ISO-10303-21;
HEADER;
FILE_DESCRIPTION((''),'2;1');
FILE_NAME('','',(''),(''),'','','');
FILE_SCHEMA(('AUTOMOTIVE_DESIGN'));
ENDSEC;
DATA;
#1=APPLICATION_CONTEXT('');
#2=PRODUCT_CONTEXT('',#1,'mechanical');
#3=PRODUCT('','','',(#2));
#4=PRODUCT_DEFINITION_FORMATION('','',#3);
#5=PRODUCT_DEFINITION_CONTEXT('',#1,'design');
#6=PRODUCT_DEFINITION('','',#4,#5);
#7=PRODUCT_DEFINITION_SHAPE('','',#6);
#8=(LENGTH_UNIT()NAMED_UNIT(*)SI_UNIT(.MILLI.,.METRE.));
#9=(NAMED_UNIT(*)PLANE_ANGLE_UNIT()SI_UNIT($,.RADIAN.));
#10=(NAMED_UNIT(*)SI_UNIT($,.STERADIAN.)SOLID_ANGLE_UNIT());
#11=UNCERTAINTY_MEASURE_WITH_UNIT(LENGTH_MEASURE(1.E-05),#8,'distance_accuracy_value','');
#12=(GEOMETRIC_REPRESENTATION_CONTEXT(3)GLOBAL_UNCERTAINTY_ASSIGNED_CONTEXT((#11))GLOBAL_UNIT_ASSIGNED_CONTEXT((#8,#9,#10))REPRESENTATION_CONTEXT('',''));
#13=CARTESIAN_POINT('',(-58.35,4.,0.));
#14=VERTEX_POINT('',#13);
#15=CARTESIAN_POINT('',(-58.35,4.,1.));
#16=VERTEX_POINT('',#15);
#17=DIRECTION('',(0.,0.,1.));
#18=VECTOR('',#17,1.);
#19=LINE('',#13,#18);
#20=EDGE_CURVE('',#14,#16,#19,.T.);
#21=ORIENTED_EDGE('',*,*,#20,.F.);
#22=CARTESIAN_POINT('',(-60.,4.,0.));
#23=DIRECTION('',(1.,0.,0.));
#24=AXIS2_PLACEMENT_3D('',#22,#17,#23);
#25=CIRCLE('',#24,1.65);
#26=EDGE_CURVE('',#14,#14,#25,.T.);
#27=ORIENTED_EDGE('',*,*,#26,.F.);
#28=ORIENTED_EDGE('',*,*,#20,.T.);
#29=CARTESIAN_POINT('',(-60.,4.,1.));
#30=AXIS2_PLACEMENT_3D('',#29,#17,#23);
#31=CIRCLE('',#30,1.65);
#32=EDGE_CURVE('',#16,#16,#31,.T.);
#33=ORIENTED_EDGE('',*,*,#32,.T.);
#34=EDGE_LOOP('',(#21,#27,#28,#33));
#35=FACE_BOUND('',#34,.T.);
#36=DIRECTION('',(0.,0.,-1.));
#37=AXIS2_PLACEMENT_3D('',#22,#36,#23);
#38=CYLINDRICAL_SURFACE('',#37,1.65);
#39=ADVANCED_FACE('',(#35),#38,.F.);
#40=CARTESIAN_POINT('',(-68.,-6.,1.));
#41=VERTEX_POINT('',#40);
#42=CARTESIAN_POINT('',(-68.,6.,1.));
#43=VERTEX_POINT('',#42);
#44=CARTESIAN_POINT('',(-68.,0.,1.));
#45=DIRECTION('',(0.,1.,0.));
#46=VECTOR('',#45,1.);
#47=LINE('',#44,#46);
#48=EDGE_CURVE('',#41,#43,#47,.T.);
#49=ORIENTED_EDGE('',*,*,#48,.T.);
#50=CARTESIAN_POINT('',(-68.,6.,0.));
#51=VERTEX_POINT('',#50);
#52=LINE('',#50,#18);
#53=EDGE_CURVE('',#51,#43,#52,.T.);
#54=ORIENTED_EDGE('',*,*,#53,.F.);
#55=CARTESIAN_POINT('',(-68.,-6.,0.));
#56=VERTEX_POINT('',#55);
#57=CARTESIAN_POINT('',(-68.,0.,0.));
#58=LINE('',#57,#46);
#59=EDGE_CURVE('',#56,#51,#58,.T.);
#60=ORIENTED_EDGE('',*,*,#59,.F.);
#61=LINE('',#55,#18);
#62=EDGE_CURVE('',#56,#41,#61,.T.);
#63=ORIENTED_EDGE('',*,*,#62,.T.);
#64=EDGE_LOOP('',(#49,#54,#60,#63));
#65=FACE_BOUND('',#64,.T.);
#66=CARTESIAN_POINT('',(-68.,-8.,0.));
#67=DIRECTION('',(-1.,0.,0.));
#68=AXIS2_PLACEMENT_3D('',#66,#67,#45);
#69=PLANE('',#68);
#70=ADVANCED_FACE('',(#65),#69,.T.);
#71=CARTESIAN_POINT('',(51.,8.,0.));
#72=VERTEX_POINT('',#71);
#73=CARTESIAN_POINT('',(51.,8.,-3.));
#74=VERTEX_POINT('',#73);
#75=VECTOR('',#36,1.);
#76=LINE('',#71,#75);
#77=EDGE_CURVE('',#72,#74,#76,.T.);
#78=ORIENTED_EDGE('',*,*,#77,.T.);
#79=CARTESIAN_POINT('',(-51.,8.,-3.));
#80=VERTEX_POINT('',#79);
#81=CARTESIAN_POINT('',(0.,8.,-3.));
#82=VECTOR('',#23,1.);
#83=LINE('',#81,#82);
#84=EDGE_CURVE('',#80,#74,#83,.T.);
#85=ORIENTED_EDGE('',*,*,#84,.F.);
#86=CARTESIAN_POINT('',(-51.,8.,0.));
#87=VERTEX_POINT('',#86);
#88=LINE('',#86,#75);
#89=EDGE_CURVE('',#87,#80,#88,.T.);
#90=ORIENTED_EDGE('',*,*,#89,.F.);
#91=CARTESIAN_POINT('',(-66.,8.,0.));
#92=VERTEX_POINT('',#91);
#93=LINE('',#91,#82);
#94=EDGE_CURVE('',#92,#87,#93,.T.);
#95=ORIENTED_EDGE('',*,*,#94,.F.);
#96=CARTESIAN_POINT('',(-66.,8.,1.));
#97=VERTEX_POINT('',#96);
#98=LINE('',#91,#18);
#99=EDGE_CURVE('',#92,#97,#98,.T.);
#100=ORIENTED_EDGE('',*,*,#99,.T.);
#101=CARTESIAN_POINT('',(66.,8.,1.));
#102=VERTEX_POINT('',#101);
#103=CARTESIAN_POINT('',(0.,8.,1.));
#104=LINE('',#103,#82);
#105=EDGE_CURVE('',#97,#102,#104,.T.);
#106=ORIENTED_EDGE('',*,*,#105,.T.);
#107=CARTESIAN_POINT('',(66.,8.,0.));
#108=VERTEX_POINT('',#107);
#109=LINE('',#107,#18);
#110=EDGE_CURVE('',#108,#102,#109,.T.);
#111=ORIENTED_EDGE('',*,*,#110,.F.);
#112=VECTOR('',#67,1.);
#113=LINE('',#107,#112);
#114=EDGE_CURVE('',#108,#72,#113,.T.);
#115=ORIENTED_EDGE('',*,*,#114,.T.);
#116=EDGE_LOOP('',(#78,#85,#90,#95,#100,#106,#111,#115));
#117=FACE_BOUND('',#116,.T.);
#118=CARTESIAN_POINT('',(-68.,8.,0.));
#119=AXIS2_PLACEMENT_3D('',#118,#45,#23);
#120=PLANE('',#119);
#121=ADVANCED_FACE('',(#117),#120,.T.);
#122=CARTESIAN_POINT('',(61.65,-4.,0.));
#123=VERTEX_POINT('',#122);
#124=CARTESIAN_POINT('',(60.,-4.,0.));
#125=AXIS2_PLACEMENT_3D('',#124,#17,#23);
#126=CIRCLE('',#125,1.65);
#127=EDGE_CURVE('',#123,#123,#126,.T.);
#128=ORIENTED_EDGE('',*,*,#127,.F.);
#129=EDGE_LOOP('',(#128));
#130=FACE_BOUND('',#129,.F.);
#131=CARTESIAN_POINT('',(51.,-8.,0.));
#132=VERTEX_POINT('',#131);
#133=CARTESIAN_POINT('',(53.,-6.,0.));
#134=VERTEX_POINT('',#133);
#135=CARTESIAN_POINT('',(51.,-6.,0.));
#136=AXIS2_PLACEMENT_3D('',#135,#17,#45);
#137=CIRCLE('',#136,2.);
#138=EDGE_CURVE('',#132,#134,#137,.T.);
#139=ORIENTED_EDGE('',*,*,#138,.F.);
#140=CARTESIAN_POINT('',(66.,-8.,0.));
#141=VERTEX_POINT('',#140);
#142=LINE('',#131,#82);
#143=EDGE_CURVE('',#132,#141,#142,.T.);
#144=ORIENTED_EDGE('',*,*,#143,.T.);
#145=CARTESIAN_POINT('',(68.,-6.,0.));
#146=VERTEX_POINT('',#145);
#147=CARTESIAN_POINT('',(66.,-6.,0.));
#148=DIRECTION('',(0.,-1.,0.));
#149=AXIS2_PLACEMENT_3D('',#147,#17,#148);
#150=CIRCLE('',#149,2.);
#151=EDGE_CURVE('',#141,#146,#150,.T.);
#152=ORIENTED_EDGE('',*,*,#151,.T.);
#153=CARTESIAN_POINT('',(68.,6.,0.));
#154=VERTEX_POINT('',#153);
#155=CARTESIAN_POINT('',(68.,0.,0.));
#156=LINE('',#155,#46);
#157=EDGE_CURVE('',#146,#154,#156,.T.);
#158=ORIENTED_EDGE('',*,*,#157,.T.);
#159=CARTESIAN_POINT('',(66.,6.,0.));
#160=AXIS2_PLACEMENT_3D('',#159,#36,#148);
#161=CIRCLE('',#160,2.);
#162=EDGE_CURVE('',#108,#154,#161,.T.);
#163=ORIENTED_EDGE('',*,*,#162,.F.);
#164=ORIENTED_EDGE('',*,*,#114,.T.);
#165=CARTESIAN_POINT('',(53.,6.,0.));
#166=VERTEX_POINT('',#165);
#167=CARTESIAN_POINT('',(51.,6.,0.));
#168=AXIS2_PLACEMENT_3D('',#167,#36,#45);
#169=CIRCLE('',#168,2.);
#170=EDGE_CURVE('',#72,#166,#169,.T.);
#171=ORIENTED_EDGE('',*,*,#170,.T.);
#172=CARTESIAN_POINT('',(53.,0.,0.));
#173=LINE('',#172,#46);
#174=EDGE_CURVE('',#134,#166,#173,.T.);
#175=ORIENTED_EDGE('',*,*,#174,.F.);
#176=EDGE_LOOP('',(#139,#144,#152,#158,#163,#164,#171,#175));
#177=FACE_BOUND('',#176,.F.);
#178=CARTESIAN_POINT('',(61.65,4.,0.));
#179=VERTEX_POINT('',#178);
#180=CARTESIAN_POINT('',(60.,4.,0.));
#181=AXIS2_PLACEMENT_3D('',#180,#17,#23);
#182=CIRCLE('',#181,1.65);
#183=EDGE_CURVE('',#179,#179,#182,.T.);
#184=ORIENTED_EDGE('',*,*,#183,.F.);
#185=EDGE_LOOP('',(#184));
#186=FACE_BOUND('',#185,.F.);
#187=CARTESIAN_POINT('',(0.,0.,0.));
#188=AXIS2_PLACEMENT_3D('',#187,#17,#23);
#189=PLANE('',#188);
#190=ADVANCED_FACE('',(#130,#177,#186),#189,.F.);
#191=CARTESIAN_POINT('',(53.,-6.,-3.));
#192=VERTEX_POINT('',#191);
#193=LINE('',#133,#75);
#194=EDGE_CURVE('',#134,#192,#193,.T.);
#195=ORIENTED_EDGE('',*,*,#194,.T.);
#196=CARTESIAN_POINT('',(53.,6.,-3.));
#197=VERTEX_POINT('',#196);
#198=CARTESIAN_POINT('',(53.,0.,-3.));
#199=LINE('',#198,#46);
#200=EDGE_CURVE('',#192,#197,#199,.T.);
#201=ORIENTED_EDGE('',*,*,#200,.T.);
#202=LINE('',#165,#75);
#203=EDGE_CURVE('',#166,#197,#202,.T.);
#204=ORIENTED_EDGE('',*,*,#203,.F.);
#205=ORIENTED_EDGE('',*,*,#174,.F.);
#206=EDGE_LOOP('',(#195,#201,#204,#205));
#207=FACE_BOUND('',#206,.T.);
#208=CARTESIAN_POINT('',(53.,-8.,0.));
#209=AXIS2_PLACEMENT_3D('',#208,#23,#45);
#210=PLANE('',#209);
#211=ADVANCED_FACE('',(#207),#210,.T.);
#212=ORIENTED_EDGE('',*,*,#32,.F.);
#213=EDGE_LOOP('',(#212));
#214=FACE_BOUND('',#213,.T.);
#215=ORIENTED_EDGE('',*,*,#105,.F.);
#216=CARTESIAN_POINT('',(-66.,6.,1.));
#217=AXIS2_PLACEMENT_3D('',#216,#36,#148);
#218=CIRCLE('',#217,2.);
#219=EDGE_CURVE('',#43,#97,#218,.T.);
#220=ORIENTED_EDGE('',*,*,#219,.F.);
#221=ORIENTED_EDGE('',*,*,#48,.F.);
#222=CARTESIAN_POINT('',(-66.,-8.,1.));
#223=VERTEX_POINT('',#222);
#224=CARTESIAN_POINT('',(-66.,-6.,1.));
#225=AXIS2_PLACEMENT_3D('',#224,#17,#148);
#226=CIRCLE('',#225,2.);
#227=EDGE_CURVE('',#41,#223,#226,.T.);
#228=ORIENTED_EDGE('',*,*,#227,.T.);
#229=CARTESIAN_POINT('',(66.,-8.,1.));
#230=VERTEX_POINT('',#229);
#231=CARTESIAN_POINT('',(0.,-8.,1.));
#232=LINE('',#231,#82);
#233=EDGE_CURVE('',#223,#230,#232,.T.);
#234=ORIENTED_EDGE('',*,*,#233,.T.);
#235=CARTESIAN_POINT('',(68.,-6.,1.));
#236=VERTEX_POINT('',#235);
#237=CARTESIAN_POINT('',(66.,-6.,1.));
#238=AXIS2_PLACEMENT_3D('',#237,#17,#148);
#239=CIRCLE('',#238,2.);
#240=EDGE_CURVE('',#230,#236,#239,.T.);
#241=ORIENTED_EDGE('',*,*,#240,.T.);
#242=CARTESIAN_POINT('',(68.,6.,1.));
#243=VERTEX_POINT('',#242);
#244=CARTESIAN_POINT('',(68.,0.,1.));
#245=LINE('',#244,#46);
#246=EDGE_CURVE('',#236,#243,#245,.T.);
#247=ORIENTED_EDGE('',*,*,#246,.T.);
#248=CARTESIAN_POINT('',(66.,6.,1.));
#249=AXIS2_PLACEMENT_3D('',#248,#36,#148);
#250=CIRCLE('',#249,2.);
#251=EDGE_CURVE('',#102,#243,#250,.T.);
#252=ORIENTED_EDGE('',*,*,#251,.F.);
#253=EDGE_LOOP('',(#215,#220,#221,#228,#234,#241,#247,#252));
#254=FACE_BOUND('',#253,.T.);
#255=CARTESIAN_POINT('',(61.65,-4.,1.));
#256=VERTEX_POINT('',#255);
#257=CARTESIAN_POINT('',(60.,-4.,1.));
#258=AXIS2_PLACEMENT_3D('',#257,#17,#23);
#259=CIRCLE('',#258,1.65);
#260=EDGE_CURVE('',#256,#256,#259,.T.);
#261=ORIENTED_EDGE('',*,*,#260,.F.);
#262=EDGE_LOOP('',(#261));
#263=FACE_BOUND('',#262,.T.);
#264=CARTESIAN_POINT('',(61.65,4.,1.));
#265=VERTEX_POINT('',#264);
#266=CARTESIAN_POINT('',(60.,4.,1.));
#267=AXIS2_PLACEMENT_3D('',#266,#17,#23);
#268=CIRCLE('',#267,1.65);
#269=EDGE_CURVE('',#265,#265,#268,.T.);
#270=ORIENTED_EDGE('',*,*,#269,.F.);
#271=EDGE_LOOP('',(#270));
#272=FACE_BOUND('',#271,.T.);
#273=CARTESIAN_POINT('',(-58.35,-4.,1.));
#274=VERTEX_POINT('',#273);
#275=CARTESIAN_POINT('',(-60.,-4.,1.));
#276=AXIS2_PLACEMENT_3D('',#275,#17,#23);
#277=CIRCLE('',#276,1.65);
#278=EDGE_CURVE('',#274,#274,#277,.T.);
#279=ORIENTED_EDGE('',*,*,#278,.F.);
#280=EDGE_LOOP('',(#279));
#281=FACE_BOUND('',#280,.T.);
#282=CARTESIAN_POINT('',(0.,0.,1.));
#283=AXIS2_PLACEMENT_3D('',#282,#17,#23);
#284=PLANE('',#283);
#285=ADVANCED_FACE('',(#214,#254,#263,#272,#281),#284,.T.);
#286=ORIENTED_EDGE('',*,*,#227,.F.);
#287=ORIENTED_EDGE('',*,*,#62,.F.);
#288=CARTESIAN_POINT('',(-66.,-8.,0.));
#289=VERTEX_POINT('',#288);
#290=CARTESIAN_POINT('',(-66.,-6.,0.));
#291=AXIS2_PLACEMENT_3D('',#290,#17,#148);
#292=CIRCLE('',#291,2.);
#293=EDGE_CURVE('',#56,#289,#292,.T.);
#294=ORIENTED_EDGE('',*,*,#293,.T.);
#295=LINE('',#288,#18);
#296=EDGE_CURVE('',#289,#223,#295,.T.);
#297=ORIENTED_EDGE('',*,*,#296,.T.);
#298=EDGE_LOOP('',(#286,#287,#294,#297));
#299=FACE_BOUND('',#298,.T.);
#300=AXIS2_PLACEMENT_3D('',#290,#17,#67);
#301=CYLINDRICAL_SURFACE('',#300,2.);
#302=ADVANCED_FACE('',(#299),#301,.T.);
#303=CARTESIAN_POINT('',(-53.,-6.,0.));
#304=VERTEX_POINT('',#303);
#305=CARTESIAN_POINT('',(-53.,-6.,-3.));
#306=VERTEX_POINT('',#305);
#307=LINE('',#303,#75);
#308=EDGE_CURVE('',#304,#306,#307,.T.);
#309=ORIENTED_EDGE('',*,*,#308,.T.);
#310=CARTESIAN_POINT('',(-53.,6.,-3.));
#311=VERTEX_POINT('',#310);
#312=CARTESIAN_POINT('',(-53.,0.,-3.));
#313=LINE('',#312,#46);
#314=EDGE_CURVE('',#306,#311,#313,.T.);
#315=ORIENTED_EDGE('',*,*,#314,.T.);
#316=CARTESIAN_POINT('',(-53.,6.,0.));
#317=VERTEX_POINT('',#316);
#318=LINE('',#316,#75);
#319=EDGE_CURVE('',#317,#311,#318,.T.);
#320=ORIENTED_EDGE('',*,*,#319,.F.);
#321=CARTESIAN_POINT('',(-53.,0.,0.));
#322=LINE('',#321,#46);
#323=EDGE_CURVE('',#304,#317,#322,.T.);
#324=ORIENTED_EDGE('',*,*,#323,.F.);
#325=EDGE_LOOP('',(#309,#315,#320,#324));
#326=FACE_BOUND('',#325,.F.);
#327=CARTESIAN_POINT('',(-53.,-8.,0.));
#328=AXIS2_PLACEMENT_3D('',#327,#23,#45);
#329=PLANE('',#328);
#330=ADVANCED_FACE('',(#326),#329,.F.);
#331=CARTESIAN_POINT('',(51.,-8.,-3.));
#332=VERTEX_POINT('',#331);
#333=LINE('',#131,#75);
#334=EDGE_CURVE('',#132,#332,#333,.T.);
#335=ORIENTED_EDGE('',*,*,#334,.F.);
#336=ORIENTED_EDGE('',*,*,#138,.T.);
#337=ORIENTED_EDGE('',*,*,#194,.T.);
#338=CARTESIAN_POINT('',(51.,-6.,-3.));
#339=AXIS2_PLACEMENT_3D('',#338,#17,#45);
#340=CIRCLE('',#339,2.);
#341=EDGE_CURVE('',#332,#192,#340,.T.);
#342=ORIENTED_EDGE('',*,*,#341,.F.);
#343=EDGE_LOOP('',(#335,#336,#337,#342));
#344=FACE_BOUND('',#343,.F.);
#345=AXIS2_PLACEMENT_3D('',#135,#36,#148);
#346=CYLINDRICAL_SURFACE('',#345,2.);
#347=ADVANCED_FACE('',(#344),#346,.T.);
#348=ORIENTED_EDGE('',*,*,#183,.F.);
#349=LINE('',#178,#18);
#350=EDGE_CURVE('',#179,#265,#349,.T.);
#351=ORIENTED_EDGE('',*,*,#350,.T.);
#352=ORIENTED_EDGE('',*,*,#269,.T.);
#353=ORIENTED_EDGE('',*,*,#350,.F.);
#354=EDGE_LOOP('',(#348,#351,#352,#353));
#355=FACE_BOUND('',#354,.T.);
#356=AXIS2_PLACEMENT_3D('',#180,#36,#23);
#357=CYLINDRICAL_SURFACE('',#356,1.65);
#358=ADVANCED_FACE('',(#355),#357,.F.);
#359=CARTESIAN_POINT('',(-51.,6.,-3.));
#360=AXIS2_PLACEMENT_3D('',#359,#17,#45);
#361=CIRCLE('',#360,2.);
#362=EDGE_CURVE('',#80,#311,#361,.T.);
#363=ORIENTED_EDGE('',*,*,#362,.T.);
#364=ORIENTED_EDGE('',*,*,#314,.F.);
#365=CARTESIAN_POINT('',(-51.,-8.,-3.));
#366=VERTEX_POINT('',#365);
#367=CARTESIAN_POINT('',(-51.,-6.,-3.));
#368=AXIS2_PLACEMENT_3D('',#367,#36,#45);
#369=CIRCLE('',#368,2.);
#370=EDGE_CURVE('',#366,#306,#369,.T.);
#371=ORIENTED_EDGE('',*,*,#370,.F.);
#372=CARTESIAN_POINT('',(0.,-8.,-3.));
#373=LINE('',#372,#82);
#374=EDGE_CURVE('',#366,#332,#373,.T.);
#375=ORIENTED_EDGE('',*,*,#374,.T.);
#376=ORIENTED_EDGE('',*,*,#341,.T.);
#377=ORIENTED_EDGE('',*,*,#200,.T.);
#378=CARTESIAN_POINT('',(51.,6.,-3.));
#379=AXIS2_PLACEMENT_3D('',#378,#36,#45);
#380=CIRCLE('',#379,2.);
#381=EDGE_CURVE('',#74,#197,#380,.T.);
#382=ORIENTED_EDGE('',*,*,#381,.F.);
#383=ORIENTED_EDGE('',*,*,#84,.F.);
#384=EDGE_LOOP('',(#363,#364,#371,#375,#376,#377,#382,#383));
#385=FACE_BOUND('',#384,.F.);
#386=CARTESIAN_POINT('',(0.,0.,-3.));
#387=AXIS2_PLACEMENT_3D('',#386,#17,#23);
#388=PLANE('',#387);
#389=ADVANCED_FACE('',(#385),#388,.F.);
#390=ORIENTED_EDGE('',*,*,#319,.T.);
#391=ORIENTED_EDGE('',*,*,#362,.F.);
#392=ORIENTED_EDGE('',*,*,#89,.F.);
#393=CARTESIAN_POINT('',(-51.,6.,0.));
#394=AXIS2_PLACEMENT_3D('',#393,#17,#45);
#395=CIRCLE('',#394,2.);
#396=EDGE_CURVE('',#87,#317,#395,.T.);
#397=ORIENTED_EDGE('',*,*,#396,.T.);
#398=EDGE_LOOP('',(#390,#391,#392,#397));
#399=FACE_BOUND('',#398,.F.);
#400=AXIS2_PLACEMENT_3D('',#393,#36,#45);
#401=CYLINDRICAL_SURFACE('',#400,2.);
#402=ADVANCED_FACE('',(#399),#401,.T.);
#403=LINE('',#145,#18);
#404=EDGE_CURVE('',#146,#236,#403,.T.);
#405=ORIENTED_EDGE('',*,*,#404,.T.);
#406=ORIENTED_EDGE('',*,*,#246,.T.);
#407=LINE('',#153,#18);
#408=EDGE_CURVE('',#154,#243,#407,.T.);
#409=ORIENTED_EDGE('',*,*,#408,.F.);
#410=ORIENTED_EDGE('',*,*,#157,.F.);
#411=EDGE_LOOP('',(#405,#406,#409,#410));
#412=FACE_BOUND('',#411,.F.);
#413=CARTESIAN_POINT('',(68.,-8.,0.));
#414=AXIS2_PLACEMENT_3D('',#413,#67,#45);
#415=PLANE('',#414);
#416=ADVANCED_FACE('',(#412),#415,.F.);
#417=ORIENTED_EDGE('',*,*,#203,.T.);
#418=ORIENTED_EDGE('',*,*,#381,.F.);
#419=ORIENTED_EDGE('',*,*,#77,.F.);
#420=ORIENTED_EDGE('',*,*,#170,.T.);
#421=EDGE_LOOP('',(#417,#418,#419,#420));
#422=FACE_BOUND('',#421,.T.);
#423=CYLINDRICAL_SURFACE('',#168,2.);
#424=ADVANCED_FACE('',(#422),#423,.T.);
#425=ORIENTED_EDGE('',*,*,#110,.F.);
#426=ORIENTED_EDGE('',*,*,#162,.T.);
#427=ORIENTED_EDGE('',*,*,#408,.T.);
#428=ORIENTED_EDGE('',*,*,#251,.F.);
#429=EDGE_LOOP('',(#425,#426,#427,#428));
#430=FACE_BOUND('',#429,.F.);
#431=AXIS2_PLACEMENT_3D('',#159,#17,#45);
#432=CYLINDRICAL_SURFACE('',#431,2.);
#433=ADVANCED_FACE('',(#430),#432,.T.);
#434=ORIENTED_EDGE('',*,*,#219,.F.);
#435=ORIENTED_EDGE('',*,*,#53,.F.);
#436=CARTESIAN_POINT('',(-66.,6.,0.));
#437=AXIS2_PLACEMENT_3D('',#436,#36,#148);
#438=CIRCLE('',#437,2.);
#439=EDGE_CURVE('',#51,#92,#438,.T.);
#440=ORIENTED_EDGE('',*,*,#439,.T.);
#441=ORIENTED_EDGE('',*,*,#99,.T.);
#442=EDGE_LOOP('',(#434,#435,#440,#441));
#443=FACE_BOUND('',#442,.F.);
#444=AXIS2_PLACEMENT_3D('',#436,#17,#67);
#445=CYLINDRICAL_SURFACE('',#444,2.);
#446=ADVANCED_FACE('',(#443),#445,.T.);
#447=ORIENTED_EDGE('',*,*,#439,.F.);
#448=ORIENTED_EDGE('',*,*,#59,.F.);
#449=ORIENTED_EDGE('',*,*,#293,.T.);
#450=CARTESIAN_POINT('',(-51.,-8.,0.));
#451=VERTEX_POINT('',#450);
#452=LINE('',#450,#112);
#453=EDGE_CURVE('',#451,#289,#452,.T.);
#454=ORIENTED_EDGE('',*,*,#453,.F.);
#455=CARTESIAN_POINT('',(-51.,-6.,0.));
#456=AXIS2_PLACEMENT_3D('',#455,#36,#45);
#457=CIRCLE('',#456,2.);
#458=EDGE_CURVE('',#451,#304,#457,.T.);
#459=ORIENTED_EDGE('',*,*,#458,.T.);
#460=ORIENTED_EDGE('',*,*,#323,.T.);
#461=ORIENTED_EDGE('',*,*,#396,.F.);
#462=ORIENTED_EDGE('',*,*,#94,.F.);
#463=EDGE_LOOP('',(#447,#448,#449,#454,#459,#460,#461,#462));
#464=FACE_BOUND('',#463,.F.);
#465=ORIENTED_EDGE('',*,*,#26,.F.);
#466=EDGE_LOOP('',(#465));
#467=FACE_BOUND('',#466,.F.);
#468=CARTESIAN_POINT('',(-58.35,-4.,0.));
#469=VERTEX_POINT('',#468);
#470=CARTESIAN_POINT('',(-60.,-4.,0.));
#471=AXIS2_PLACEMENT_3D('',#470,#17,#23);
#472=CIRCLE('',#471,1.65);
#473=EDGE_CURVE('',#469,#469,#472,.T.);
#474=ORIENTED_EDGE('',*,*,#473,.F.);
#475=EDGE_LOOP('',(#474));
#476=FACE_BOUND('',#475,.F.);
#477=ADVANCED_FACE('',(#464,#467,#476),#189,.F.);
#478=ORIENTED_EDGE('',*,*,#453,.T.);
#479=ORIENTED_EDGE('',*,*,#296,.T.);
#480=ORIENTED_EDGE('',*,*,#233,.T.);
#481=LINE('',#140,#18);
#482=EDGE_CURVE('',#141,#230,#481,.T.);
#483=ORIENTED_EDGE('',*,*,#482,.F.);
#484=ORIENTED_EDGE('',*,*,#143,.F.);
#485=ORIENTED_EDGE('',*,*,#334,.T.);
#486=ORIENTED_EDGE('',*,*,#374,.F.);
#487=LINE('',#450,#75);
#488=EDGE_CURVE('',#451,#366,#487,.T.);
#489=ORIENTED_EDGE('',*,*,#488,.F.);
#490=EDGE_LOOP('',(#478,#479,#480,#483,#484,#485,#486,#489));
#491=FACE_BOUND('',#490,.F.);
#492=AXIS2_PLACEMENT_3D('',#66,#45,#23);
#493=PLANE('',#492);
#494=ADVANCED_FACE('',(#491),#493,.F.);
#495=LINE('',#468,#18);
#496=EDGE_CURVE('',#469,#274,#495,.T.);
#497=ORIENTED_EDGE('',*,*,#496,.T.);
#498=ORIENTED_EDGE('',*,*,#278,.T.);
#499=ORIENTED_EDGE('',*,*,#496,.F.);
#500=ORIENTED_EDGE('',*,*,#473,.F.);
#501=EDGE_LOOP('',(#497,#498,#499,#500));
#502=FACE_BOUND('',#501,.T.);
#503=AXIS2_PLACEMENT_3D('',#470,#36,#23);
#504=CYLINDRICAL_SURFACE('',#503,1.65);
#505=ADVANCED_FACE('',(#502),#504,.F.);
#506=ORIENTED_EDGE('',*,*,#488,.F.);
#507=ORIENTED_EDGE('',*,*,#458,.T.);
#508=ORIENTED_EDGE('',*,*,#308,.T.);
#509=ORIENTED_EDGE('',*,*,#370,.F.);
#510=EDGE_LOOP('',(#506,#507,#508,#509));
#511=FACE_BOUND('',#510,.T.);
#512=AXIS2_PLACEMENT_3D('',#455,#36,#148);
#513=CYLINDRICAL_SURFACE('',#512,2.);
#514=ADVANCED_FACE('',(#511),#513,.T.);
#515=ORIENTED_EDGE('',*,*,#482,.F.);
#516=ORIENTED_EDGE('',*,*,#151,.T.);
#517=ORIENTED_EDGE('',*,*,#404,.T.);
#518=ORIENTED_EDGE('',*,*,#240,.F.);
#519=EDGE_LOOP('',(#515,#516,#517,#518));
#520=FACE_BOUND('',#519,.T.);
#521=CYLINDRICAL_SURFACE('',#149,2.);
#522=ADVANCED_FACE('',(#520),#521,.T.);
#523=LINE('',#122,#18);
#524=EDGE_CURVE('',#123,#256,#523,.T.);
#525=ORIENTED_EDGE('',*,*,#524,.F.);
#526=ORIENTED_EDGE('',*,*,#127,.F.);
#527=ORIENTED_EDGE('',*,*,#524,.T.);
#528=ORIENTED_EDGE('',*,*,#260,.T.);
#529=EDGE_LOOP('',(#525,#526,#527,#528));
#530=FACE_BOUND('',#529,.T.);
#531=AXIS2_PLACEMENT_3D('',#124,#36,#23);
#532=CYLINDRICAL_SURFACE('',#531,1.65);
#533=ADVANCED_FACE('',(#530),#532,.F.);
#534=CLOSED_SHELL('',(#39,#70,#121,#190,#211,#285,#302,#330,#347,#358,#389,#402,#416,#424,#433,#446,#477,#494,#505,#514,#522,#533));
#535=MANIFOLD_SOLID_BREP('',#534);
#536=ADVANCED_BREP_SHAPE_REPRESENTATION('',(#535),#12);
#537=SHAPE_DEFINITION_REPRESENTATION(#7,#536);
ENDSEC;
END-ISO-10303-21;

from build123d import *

# Parameters (mm, degrees)
SKETCH_W     = 136
SKETCH_H     = 16
SKETCH_R     = 1.65
PAD_DEPTH    = 1
SKETCH001_W  = 106
SKETCH001_H  = 16
PAD001_DEPTH = 3
FILLET_R     = 2


with BuildPart() as part:
    # Sketch → Pad (new body)
    with BuildSketch(Plane.XY):
        Rectangle(SKETCH_W, SKETCH_H)
        with Locations((-60, 4)):
            Circle(SKETCH_R, mode=Mode.SUBTRACT)
        with Locations((-60, -4)):
            Circle(SKETCH_R, mode=Mode.SUBTRACT)
        with Locations((60, 4)):
            Circle(SKETCH_R, mode=Mode.SUBTRACT)
        with Locations((60, -4)):
            Circle(SKETCH_R, mode=Mode.SUBTRACT)
    extrude(amount=PAD_DEPTH)

    # Sketch001 → Pad001 (join)
    with BuildSketch(Plane.XY):
        Rectangle(SKETCH001_W, SKETCH001_H)
    extrude(amount=-PAD001_DEPTH)

    # Fillet
    fillet_edges = [part.edges().sort_by_distance(p)[0] for p in [
        (53, 8, -1.5),
        (53, -8, -1.5),
        (-53, -8, -1.5),
        (-53, 8, -1.5),
        (-68, 8, 0.5),
        (-68, -8, 0.5),
        (68, -8, 0.5),
        (68, 8, 0.5),
    ]]
    fillet(fillet_edges, radius=FILLET_R)


solid = part.part
